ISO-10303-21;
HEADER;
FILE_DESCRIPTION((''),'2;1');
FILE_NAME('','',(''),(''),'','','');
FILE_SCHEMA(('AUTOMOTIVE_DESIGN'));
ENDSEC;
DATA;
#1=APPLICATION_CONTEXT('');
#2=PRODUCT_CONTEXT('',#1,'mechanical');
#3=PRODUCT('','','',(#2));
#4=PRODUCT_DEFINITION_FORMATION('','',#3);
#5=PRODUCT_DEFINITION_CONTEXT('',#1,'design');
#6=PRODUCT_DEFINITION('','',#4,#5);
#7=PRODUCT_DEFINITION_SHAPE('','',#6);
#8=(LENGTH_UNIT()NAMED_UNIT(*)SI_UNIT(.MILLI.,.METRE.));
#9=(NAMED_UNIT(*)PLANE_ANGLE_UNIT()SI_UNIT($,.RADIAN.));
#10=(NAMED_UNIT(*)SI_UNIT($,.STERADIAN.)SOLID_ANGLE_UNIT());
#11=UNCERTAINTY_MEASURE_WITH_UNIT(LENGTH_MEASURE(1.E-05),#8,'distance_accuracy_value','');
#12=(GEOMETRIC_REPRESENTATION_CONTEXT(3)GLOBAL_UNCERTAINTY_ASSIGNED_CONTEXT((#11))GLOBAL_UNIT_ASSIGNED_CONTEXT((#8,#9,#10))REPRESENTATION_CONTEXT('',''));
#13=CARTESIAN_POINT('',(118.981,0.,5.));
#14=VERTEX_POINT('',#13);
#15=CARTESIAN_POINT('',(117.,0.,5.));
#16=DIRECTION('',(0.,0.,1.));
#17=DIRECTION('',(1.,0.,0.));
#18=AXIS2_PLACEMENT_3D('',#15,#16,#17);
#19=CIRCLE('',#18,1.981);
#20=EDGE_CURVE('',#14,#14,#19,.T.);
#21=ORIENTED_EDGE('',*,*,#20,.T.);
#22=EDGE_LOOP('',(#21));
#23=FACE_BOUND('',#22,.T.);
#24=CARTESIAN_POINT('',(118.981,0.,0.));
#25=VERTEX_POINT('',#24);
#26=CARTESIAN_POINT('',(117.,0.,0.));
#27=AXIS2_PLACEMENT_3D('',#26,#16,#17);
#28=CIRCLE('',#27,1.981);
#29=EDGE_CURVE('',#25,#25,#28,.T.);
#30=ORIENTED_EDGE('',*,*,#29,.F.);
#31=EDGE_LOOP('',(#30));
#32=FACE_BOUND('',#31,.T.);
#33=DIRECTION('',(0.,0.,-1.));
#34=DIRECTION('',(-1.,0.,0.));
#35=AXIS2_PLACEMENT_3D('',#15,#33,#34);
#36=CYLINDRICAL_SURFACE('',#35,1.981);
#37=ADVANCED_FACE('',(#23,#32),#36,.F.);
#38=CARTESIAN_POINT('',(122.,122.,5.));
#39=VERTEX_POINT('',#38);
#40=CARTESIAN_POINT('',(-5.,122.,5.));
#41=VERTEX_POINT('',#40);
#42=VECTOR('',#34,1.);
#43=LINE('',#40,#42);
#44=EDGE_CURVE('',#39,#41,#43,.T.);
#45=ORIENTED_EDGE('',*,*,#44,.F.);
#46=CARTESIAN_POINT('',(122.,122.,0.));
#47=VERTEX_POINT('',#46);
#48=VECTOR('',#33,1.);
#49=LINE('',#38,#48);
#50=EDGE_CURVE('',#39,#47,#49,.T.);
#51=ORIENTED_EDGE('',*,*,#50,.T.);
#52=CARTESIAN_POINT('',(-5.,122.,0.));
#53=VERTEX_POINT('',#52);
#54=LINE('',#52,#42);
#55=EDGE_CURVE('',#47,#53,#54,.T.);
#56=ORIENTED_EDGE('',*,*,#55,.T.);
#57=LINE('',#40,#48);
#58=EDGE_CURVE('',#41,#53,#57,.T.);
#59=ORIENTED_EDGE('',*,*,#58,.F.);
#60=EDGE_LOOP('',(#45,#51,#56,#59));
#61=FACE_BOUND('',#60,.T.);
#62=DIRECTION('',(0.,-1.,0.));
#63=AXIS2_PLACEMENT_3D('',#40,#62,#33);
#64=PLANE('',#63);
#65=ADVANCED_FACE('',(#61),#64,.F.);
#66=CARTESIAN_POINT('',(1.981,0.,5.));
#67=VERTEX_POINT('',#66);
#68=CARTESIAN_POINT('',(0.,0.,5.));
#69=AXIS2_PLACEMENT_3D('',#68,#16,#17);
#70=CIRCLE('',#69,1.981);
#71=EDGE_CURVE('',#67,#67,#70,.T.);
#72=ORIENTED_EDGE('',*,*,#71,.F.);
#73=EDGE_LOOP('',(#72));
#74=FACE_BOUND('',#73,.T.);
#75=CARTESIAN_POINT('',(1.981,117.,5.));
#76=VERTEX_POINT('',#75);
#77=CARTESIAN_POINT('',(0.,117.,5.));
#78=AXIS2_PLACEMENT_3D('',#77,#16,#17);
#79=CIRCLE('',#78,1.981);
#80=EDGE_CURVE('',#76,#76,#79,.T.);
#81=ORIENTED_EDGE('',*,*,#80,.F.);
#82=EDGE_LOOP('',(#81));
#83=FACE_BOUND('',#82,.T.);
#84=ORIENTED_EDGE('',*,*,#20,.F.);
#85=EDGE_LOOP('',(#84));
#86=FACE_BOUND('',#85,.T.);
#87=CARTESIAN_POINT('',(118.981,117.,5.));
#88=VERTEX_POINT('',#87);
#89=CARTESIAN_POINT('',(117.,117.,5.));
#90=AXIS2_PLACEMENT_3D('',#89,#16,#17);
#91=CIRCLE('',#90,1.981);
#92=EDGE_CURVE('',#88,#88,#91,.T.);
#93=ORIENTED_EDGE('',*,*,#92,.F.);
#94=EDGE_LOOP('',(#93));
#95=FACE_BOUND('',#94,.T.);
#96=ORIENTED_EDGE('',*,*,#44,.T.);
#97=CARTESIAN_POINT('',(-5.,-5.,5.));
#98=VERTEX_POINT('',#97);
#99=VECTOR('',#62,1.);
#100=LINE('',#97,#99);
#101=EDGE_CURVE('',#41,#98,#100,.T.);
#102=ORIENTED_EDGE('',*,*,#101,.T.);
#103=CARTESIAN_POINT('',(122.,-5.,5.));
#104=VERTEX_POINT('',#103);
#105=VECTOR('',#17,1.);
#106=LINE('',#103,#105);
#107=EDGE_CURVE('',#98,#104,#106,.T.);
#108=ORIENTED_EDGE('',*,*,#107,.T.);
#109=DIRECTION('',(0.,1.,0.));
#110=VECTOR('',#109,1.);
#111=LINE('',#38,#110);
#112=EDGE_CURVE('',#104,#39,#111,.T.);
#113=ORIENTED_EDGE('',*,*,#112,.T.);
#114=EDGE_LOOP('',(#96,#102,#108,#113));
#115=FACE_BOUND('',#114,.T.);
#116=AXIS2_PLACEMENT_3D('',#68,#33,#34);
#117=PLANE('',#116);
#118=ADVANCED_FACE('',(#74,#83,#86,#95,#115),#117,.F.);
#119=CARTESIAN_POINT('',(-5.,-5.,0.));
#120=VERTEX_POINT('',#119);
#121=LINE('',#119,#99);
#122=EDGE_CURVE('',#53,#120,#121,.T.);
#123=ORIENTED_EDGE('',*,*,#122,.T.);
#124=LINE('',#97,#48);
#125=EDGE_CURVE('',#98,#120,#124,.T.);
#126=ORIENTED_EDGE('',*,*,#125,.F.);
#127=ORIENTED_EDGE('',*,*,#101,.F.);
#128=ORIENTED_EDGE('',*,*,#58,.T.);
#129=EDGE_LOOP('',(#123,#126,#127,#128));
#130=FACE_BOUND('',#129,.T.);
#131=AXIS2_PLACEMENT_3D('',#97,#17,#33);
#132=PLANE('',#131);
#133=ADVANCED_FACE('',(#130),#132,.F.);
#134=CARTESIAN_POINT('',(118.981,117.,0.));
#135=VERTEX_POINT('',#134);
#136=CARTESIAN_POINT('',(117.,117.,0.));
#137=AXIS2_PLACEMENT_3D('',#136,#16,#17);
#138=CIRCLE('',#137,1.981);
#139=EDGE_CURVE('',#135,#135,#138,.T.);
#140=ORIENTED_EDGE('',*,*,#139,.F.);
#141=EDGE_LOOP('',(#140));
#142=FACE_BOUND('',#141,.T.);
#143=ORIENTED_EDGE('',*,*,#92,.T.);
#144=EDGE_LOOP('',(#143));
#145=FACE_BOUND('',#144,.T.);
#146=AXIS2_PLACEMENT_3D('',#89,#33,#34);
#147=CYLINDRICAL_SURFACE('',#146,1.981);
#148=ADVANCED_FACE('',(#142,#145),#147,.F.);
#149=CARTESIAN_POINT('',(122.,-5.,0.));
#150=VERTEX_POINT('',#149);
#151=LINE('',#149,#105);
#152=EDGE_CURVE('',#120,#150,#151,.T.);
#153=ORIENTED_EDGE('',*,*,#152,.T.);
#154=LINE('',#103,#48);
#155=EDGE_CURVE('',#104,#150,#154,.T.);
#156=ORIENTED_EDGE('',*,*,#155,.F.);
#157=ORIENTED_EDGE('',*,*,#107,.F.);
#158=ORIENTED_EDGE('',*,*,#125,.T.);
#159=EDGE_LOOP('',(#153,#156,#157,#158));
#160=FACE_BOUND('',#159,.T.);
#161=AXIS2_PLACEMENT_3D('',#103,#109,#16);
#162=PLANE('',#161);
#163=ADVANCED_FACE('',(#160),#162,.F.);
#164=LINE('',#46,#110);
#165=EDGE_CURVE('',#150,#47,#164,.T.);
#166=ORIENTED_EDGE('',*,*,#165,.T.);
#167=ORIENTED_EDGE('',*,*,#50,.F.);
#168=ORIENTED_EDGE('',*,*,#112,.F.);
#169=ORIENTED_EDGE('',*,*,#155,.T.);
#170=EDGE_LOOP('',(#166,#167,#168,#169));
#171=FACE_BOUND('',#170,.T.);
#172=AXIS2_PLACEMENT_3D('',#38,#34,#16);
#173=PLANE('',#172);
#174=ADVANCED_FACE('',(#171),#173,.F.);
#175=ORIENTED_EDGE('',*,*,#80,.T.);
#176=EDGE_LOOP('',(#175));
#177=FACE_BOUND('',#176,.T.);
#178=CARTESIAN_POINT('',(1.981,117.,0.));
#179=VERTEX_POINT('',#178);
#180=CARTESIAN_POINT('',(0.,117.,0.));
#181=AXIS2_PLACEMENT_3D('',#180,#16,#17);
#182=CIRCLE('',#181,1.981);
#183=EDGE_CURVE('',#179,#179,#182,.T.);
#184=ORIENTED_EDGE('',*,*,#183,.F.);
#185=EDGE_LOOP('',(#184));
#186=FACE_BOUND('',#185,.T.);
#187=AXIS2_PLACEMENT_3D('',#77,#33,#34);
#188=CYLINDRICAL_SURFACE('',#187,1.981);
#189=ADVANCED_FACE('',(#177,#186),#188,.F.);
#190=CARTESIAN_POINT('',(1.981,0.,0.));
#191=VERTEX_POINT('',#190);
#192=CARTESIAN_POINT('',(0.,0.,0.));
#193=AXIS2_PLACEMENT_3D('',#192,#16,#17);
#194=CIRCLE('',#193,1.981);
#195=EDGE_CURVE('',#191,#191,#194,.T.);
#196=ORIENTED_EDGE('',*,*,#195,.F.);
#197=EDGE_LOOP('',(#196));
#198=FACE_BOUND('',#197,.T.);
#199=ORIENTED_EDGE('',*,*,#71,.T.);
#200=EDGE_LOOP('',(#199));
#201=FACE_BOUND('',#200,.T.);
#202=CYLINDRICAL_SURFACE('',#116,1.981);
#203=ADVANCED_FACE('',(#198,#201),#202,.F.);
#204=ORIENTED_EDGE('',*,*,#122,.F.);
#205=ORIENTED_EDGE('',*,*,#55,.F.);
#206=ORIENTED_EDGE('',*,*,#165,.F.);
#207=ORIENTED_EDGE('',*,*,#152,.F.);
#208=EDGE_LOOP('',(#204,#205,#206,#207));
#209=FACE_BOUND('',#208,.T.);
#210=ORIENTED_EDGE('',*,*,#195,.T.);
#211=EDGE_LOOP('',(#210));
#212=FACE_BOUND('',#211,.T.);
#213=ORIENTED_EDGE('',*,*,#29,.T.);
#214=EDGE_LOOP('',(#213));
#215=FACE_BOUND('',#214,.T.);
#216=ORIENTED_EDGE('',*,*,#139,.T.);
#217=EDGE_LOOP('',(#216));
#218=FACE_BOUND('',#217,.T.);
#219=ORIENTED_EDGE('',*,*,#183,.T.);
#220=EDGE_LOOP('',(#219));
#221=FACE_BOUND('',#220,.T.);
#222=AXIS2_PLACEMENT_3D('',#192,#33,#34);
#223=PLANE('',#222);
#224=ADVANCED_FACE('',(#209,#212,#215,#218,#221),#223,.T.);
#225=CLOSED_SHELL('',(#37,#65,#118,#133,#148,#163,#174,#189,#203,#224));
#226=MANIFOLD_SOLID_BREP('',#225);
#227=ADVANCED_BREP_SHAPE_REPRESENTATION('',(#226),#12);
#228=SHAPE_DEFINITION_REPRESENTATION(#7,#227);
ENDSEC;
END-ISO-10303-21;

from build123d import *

# Parameters (mm, degrees)
SKETCH_2_W      = 127
SKETCH_2_H      = 127
EXTRUDE_1_DEPTH = 5


with BuildPart() as part:
    # Эскиз2 → Бобышка-Вытянуть1 (new body)
    with BuildSketch(Plane.XY):
        with Locations((58.5, 58.5)):
            Rectangle(SKETCH_2_W, SKETCH_2_H)
        with BuildLine():
            ThreePointArc((-1.981, 0), (0, -1.981), (1.981, 0))
            ThreePointArc((1.981, 0), (0, 1.981), (-1.981, 0))
        make_face(mode=Mode.SUBTRACT)
        with BuildLine():
            ThreePointArc((115.019, 0), (117, -1.981), (118.981, 0))
            ThreePointArc((118.981, 0), (117, 1.981), (115.019, 0))
        make_face(mode=Mode.SUBTRACT)
        with BuildLine():
            ThreePointArc((115.019, 117), (117, 115.019), (118.981, 117))
            ThreePointArc((118.981, 117), (117, 118.981), (115.019, 117))
        make_face(mode=Mode.SUBTRACT)
        with BuildLine():
            ThreePointArc((-1.981, 117), (0, 115.019), (1.981, 117))
            ThreePointArc((1.981, 117), (0, 118.981), (-1.981, 117))
        make_face(mode=Mode.SUBTRACT)
    extrude(amount=EXTRUDE_1_DEPTH)


solid = part.part
